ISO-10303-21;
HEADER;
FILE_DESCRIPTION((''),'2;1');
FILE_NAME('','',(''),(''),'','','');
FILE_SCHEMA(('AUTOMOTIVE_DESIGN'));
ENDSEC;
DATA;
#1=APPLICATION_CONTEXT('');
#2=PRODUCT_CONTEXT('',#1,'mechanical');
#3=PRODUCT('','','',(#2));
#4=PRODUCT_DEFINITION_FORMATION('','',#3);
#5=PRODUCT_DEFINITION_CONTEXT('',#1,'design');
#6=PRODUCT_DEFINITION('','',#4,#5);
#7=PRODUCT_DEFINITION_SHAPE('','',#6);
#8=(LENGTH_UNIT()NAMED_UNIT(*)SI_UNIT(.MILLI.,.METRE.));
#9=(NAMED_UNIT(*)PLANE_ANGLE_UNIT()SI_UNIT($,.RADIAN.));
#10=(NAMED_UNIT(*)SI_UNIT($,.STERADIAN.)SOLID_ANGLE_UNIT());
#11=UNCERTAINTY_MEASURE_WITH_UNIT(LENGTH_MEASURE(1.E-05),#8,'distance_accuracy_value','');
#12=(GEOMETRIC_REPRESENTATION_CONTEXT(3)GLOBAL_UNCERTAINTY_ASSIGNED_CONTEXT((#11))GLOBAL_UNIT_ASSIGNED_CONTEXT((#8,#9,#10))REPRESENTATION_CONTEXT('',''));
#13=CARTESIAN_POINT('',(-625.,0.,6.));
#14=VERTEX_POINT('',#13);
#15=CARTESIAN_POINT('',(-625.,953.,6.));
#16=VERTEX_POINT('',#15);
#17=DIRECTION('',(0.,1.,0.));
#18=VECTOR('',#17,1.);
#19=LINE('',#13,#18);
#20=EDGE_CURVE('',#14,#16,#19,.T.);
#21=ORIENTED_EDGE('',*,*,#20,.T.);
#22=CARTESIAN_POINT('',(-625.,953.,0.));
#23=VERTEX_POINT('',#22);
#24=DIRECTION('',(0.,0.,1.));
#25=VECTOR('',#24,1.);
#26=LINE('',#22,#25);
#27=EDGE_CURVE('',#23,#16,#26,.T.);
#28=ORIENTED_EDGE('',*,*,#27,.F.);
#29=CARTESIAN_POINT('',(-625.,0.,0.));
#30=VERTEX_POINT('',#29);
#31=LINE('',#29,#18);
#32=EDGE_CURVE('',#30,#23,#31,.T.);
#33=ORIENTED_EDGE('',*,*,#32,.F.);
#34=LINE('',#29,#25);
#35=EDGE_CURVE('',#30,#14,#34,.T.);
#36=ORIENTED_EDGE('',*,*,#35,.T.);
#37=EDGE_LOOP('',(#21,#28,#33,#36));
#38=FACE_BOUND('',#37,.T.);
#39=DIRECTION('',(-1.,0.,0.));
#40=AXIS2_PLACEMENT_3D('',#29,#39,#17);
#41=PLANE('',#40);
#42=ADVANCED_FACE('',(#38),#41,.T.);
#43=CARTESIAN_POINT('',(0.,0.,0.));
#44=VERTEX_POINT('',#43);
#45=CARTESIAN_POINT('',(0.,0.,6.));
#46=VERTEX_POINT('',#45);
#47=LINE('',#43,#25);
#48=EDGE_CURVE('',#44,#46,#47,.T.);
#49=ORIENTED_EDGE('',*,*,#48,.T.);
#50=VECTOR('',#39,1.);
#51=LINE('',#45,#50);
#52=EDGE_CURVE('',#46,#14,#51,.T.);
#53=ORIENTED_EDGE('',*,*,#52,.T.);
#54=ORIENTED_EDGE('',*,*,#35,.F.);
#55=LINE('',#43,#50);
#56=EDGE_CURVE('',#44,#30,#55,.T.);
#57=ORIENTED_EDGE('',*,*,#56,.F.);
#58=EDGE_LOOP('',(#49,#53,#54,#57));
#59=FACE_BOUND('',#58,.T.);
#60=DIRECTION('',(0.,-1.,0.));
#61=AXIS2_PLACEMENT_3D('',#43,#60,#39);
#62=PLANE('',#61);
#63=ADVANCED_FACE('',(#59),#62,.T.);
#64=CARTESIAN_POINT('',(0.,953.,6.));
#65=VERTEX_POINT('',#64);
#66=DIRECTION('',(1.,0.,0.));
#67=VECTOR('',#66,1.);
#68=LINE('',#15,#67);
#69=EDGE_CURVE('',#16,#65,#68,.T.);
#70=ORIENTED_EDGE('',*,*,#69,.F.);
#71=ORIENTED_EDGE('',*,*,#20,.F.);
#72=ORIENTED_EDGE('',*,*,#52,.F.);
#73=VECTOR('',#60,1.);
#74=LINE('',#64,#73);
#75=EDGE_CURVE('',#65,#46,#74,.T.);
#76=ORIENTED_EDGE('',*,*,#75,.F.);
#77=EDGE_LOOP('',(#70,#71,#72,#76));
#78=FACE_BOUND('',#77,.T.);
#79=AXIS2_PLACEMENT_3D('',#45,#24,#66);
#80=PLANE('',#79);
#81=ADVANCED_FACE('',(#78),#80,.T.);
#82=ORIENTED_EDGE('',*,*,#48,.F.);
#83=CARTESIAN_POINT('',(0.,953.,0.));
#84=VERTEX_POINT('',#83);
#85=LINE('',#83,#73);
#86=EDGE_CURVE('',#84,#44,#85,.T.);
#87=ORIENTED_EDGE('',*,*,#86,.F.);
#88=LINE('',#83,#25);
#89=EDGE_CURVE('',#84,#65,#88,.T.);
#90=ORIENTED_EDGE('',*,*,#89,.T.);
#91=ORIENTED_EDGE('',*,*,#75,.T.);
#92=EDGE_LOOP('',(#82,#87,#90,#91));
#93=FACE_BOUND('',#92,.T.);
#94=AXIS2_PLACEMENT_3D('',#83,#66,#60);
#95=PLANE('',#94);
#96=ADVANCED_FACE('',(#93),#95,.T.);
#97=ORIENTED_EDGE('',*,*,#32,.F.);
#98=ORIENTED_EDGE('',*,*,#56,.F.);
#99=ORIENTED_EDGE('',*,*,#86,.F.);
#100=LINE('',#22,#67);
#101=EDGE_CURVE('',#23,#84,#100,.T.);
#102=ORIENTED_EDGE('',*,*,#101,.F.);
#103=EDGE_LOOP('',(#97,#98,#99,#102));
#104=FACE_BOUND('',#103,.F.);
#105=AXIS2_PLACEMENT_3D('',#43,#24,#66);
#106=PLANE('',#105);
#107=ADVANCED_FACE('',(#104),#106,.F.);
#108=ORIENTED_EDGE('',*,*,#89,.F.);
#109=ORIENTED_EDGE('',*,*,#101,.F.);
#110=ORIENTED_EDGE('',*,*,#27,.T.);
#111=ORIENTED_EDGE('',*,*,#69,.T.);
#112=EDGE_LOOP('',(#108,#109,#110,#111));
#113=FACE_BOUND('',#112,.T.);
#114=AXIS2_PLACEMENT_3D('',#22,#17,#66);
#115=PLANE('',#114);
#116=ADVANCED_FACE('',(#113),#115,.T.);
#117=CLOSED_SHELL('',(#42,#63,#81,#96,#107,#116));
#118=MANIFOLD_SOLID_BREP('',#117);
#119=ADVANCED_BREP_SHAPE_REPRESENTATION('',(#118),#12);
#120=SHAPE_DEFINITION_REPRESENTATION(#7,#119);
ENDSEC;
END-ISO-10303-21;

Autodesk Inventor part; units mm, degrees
ref_plane "YZ Plane" through (0, 0, 0) normal (1, 0, 0) x (0, 1, 0)
ref_plane "XZ Plane" through (0, 0, 0) normal (0, 1, 0) x (-1, 0, 0)
ref_plane "XY Plane" through (0, 0, 0) normal (0, 0, 1) x (1, 0, 0)
sketch "Boceto1" plane through (0, 0, 0) normal (0, 0, 1) x (1, 0, 0)
  line L0 (-625, 953) -> (0, 953)
  line L1 (0, 953) -> (0, 0)
  line L2 (0, 0) -> (-625, 0)
  line L3 (-625, 0) -> (-625, 953)
  dimension "d2" = 625
  dimension "d3" = 953
extrude "Extrusión1" add sketch "Boceto1" along normal blind 6
properties part number "PLANCHA DE CRISTAL TRANSPARENTE 3300x2140 mm" material "Cristal"
